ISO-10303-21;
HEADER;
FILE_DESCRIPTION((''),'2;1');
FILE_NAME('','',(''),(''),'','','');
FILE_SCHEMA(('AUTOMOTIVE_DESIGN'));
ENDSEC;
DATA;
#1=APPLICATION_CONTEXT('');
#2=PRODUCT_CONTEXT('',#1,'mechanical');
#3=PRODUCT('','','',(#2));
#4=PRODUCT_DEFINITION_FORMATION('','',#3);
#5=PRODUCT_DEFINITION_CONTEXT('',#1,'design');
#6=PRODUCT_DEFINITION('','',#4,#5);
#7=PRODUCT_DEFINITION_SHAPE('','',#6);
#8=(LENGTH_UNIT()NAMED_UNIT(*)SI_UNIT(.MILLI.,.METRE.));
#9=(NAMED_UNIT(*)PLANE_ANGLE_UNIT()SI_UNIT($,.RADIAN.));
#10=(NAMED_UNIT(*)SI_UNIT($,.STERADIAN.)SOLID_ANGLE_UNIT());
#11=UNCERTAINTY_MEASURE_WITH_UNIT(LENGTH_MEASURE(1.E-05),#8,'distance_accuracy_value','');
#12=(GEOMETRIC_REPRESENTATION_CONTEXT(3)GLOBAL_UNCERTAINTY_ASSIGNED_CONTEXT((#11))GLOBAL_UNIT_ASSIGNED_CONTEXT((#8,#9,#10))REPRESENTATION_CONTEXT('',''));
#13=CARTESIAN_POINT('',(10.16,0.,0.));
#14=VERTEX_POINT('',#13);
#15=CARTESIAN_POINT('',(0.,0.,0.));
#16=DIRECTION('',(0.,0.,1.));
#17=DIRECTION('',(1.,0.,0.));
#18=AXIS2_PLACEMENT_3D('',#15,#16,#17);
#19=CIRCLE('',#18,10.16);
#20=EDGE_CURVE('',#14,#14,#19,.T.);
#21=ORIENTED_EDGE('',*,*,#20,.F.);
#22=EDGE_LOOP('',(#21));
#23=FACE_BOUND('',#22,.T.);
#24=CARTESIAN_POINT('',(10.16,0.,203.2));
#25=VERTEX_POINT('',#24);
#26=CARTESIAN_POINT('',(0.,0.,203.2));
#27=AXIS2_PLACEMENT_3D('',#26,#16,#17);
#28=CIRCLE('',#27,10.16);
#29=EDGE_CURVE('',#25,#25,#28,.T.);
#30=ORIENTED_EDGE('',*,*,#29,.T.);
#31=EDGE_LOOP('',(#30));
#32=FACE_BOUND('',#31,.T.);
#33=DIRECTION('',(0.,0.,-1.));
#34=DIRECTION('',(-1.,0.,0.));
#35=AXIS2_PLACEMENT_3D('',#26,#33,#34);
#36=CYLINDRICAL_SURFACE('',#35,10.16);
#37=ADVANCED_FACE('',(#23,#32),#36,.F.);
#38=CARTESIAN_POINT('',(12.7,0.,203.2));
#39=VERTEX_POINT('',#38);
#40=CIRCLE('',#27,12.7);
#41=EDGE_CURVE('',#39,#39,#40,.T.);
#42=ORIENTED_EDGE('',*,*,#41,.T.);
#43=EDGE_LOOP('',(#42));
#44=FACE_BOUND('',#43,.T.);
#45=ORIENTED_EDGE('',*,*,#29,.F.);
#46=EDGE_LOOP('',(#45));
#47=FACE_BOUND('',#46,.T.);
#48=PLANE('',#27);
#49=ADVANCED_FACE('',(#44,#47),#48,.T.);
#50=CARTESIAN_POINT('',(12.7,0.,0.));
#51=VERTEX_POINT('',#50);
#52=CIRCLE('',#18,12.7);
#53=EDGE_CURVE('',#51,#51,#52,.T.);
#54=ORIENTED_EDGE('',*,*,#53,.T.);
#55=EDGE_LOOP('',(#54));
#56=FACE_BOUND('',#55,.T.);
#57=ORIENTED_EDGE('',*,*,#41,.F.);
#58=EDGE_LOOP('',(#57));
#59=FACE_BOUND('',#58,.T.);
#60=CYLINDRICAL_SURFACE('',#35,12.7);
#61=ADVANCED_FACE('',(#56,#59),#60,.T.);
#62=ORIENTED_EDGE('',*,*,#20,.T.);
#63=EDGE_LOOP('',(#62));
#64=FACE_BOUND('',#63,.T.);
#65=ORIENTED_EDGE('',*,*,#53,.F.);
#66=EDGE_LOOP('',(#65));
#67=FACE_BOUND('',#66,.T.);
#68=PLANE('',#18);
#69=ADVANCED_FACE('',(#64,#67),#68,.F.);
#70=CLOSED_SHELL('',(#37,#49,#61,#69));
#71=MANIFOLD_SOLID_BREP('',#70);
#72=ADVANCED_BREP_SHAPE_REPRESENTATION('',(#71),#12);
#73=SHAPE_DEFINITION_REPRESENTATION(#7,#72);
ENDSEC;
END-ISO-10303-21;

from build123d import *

# Parameters (mm, degrees)
SKETCH1_R           = 12.7
SKETCH1_R_2         = 10.16
BOSS_EXTRUDE1_DEPTH = 203.2


with BuildPart() as part:
    # Sketch1 → Boss-Extrude1 (new body)
    with BuildSketch(Plane.XY):
        Circle(SKETCH1_R)
        Circle(SKETCH1_R_2, mode=Mode.SUBTRACT)
    extrude(amount=BOSS_EXTRUDE1_DEPTH)


solid = part.part
